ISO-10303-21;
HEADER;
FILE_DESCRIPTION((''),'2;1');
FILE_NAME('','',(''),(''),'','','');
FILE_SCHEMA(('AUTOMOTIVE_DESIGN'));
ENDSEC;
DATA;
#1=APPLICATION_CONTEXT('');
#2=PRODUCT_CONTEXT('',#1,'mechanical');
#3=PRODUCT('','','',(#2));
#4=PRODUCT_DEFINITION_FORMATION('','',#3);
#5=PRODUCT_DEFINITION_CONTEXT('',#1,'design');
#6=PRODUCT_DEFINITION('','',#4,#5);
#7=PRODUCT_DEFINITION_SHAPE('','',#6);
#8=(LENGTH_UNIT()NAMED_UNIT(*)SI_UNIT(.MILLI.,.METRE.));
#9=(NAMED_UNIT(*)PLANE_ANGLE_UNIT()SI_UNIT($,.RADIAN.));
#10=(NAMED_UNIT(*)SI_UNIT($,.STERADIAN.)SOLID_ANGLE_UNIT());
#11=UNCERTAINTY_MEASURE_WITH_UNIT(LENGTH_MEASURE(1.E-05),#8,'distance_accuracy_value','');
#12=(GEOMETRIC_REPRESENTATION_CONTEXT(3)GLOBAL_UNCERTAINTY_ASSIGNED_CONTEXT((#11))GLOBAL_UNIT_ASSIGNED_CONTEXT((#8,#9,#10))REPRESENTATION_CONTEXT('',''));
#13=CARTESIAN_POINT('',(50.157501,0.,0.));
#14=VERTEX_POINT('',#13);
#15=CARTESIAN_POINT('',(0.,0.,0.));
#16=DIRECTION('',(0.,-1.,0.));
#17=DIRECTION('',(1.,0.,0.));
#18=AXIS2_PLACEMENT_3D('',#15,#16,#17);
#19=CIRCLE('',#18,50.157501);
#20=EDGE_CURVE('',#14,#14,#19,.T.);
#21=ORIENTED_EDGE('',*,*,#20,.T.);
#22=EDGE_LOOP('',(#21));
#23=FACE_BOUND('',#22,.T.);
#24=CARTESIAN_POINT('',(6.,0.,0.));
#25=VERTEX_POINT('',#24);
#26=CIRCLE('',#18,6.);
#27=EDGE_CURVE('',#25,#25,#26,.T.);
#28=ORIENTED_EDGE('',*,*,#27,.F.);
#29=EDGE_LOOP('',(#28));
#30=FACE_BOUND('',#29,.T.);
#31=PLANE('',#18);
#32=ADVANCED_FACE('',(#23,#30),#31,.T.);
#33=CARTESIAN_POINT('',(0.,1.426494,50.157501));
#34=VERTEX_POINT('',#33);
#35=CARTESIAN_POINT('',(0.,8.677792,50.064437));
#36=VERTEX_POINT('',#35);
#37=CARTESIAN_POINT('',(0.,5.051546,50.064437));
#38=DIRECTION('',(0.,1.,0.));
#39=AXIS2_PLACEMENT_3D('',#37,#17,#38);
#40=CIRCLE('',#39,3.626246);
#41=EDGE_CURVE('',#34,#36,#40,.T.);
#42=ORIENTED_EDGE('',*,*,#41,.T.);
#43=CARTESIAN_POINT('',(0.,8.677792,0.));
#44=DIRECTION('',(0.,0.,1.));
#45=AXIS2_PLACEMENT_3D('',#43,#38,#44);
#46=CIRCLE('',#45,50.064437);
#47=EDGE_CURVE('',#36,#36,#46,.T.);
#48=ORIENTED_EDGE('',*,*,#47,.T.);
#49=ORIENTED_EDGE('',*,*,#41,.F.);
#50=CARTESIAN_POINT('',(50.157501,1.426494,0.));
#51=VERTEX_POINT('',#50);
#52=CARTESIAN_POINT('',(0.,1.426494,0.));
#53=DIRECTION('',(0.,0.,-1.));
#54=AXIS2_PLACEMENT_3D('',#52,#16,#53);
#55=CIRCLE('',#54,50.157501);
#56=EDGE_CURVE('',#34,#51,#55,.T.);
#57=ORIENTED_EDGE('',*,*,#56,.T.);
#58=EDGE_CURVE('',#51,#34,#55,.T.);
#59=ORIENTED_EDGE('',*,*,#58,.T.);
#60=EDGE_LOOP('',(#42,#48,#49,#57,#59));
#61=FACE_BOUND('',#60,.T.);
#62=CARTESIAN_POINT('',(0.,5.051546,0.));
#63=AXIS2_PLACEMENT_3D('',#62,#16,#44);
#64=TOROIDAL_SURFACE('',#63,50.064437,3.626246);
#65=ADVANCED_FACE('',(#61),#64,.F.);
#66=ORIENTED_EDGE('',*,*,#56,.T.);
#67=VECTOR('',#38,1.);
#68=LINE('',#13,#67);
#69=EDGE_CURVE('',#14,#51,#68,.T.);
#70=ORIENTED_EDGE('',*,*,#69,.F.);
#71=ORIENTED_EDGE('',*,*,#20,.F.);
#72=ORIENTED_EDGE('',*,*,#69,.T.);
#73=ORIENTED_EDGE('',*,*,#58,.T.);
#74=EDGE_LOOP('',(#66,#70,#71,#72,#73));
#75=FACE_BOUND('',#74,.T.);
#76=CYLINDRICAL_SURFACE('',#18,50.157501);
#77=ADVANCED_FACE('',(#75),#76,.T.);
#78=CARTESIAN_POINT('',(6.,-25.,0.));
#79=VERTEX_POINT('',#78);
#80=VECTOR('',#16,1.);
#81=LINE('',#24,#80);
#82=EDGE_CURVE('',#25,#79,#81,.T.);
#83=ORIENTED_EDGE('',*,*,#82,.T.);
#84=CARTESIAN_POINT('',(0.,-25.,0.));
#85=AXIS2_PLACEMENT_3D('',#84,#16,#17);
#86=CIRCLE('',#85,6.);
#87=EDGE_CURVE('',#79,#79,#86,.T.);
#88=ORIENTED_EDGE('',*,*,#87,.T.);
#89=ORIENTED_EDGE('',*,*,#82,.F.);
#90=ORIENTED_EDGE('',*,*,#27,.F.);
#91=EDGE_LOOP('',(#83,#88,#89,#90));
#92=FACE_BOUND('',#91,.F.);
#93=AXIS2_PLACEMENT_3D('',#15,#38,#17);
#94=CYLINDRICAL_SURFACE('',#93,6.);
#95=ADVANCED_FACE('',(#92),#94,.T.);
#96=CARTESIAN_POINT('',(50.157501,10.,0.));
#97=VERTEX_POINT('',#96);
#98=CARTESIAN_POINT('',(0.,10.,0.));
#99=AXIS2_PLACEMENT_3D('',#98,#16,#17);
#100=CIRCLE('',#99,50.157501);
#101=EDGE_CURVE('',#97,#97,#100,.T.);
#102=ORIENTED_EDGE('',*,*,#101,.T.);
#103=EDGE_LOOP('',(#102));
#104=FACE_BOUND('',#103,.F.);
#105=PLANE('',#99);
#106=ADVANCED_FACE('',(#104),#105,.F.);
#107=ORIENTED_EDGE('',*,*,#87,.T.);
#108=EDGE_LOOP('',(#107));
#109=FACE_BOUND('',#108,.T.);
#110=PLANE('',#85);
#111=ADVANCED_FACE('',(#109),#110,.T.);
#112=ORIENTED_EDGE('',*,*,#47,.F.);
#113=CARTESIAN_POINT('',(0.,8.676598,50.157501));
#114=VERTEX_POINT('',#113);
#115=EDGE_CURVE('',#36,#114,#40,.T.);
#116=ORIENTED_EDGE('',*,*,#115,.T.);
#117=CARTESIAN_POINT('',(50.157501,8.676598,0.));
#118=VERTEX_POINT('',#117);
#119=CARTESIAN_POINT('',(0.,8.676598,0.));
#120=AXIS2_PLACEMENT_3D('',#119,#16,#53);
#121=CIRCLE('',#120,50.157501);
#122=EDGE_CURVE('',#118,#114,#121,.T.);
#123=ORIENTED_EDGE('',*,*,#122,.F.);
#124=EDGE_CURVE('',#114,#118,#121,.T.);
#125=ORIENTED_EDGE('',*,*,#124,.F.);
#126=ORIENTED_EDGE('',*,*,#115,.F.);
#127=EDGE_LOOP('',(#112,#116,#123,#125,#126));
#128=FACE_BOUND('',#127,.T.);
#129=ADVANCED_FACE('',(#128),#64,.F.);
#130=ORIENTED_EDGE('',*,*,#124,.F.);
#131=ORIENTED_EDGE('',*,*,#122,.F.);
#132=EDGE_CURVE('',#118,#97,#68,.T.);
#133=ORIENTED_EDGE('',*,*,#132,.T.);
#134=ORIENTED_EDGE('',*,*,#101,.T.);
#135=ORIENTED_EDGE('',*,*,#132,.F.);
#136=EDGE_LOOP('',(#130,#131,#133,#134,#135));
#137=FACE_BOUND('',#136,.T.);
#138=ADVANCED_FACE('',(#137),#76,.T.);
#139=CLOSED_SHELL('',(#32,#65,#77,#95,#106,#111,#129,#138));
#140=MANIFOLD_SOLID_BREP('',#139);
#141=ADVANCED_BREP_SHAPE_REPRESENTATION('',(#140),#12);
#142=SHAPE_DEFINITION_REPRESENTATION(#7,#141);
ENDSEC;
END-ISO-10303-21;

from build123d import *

# Parameters (mm, degrees)
F0_R     = 50.157501
F1_DEPTH = 10
F2_R     = 3.626246
F4_R     = 6
F5_DEPTH = 25
F6_R     = 3.797047
F7_DEPTH = 100


with BuildPart() as f1:
    # F0 (on Front) → F1 (new body)
    with BuildSketch(Plane.XZ):
        Circle(F0_R)
    extrude(amount=-F1_DEPTH)

    # F2 (on Right) → F3 (revolve, cut)
    with BuildSketch(Plane.YZ):
        with Locations((5.051546, 50.064437)):
            Circle(F2_R)
    revolve(axis=Axis((0, -2.255155, 0), (0, 1, 0)), mode=Mode.SUBTRACT)

    # F4 (on face) → F5 (join)
    with BuildSketch(Plane.XZ):
        Circle(F4_R)
    extrude(amount=F5_DEPTH)


with BuildPart() as f7:
    # F6 (on Right) → F7 (new body, symmetric)
    with BuildSketch(Plane.YZ):
        with Locations((0, 74.842192)):
            Circle(F6_R)
    extrude(amount=F7_DEPTH, both=True)


solid = f1.part
